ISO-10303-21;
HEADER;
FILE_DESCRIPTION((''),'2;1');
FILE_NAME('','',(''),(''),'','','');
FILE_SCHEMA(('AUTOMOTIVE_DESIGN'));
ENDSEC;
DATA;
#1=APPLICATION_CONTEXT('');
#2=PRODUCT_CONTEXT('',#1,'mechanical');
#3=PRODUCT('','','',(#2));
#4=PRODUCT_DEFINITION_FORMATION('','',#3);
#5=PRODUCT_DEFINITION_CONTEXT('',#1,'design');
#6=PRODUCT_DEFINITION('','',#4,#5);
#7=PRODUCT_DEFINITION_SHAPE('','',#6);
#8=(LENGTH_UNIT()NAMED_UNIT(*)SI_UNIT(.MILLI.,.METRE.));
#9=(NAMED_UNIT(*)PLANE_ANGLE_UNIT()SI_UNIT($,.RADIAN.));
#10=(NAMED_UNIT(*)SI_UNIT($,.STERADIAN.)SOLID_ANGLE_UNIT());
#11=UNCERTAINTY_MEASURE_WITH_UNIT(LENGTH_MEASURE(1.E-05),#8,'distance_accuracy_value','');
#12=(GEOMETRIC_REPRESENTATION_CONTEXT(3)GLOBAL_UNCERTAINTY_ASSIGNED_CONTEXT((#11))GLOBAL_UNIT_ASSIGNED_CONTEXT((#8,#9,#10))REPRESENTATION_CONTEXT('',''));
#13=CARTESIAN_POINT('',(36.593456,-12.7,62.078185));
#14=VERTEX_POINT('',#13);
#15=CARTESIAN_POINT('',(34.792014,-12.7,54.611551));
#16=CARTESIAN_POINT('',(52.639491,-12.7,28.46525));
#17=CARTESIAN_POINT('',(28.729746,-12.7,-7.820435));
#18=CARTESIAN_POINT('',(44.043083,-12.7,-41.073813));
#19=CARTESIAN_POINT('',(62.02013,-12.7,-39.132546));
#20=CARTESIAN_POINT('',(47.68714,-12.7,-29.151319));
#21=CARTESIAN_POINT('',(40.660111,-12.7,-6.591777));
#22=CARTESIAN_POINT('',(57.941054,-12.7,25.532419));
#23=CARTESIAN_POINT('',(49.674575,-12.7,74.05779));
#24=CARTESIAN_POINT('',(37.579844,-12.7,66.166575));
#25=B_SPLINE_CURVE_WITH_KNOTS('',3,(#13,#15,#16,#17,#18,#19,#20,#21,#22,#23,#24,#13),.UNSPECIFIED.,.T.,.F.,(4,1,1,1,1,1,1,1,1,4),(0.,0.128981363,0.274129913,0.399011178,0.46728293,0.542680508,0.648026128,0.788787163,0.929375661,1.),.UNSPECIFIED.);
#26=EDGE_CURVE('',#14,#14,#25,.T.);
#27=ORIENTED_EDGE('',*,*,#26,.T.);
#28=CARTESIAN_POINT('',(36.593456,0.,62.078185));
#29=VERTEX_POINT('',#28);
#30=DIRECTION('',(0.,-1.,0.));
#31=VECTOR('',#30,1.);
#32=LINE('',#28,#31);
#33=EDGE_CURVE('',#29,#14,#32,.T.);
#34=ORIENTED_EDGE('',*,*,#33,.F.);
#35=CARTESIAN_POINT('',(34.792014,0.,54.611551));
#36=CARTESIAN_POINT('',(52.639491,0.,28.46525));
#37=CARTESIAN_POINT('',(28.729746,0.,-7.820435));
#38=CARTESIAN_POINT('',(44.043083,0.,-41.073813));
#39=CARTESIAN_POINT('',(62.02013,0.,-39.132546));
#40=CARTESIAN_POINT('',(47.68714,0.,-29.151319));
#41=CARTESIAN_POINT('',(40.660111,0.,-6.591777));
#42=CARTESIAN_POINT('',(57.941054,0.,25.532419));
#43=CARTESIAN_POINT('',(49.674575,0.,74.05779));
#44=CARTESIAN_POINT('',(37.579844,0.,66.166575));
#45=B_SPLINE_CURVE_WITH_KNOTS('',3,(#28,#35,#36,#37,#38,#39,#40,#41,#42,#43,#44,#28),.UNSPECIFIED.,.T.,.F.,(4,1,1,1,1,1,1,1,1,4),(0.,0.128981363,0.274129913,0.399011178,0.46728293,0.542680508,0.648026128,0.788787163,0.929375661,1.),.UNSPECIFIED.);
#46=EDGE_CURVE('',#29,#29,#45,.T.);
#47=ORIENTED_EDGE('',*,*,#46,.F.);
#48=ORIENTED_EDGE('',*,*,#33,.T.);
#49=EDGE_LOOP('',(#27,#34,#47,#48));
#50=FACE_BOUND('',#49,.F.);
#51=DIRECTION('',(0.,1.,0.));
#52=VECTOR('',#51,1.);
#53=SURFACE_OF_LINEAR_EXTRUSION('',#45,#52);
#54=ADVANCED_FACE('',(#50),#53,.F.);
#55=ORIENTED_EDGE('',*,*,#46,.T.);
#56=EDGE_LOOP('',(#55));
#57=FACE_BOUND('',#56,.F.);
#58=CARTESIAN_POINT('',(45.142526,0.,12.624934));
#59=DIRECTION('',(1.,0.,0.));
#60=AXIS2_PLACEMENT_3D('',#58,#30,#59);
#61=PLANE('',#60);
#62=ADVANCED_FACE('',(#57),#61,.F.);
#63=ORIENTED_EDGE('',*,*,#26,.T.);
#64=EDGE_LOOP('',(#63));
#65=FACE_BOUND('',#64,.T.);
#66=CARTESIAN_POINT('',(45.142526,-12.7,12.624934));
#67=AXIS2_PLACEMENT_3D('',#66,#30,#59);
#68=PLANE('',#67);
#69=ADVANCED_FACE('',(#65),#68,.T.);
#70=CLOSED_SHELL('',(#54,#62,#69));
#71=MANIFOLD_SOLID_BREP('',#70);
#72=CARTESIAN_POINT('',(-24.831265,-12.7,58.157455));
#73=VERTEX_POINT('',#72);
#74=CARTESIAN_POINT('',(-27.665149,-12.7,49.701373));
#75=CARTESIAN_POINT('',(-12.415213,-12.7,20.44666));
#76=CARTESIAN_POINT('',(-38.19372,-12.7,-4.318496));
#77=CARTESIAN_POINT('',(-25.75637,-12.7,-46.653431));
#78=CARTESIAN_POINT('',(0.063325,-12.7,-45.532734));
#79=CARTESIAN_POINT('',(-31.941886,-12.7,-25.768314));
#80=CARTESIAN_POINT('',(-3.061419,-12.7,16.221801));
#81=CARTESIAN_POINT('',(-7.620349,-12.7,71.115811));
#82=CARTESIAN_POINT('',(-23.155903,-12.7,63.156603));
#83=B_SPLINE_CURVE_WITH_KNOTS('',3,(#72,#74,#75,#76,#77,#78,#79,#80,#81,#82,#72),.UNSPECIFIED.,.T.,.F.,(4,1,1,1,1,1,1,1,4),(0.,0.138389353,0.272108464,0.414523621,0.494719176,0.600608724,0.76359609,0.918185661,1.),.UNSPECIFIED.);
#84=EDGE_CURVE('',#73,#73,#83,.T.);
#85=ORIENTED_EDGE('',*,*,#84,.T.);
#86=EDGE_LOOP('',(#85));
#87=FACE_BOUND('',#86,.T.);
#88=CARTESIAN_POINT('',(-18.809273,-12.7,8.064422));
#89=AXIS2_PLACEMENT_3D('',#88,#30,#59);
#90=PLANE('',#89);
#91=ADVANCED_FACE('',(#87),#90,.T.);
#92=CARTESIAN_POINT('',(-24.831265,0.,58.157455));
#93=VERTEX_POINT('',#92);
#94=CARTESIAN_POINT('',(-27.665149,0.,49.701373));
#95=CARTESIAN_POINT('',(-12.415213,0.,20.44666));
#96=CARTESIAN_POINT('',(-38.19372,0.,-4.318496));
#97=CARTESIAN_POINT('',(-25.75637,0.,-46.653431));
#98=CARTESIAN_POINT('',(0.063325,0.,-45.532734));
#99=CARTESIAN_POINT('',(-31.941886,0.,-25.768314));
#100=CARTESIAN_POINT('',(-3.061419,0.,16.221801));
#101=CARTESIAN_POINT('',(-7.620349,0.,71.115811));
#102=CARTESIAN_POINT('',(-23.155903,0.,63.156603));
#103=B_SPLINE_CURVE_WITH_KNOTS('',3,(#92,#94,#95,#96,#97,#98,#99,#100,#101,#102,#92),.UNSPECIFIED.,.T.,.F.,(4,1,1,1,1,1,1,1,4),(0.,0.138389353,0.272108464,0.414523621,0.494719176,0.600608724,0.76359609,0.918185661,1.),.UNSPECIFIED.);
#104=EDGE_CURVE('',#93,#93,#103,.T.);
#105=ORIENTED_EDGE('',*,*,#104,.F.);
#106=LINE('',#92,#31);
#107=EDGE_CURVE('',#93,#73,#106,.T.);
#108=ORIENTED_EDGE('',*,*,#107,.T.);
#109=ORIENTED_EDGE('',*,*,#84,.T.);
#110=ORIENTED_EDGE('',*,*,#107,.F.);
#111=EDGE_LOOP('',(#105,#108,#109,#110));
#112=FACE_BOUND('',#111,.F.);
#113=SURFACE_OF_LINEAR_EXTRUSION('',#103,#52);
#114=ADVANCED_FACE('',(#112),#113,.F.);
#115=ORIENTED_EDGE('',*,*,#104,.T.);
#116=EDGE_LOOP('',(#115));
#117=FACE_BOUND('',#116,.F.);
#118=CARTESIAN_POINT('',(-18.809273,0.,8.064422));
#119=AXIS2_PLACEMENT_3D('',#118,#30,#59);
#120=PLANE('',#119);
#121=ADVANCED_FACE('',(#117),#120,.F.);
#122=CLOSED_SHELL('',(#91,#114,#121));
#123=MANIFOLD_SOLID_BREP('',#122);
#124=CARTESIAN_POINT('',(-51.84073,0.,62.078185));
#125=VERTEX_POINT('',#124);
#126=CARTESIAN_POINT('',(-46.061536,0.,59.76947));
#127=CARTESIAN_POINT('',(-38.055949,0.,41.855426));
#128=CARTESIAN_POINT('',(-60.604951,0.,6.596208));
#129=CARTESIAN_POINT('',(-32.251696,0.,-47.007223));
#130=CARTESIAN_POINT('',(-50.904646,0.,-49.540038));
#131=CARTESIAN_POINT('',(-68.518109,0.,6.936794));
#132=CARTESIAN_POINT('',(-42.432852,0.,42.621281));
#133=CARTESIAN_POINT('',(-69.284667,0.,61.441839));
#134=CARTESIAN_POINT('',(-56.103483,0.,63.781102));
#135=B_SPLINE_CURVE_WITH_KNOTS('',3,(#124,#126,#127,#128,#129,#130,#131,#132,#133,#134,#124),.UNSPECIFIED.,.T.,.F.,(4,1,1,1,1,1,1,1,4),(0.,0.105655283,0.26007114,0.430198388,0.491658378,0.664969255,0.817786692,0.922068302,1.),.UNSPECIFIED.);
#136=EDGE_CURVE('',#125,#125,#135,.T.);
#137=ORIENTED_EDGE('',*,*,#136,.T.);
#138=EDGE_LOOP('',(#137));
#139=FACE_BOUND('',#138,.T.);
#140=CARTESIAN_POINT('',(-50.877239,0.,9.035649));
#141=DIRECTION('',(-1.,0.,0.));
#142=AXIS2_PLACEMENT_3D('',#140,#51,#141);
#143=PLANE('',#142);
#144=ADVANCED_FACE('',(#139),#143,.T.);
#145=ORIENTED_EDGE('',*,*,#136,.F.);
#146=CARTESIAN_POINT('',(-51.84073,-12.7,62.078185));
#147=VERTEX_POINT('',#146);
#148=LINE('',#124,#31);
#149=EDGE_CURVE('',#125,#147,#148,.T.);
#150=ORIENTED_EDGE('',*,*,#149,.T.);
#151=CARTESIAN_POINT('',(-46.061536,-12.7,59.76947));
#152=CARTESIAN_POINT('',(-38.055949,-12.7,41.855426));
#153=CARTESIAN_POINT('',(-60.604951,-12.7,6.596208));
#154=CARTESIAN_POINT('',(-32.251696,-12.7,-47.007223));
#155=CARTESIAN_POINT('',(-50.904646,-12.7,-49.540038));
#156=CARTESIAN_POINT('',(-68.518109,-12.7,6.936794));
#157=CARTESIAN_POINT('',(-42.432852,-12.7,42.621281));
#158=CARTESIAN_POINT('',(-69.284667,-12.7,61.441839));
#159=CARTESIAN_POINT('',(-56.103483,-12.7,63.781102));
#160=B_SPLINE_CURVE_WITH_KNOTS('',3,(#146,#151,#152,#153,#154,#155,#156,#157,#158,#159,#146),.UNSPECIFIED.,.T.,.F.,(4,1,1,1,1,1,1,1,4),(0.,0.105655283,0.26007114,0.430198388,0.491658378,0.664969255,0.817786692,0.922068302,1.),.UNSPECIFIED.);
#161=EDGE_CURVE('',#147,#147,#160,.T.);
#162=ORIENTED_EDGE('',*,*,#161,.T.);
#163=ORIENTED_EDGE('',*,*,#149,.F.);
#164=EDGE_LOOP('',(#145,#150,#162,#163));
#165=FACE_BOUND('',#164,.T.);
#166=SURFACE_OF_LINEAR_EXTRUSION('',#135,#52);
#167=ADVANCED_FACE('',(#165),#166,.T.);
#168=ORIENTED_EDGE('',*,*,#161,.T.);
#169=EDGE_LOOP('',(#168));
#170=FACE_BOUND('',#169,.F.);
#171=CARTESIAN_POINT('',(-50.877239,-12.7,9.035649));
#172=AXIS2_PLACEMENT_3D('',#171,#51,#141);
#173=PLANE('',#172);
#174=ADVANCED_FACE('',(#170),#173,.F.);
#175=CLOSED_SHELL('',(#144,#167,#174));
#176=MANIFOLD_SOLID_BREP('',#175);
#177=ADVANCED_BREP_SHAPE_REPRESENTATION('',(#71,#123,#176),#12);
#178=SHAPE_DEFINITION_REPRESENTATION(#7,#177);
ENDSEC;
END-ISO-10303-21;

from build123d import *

# Parameters (mm, degrees)
F1_DEPTH = 12.7
F3_DEPTH = 12.7


with BuildPart() as f1:
    # F0 (on Front) → F1 (new body)
    with BuildSketch(Plane.XZ):
        with BuildLine():
            add(Edge.make_bspline(
                [(-24.8312652111, 58.1574551761), (-27.6651485525, 49.7013730258), (-12.4152127553, 20.446660337), (-38.1937202864, -4.3184960443), (-25.7563697446, -46.6534309571), (0.0633245124, -45.5327337416), (-31.941886308, -25.7683138176), (-3.061418623, 16.2218007178), (-7.6203490093, 71.1158108499), (-23.1559029973, 63.1566025668), (-24.8312652111, 58.1574551761)],
                knots=[0, 0, 0, 0, 0.1383893532, 0.2721084637, 0.4145236215, 0.4947191757, 0.6006087237, 0.7635960905, 0.9181856608, 1, 1, 1, 1], degree=3))
        make_face()
    extrude(amount=F1_DEPTH)


with BuildPart() as f1b:
    # F0 (on Front) → F1, piece 2 (new body)
    with BuildSketch(Plane.XZ):
        with BuildLine():
            add(Edge.make_bspline(
                [(36.5934558213, 62.0781853795), (34.7920141055, 54.6115512062), (52.6394905236, 28.4652504496), (28.7297460499, -7.8204346875), (44.0430833905, -41.0738132271), (62.0201299499, -39.132546006), (47.687139647, -29.1513189046), (40.6601105842, -6.5917770963), (57.9410540173, 25.5324188499), (49.6745754367, 74.0577900433), (37.5798435338, 66.1665753273), (36.5934558213, 62.0781853795)],
                knots=[0, 0, 0, 0, 0.1289813626, 0.2741299132, 0.3990111778, 0.4672829298, 0.5426805081, 0.6480261276, 0.7887871631, 0.9293756606, 1, 1, 1, 1], degree=3))
        make_face()
    extrude(amount=F1_DEPTH)


with BuildPart() as f3:
    # F2 (on Front) → F3 (new body)
    with BuildSketch(Plane.XZ):
        with BuildLine():
            add(Edge.make_bspline(
                [(-51.8407300115, 62.0781853795), (-46.0615363721, 59.7694702824), (-38.0559489073, 41.8554255452), (-60.6049514853, 6.5962079636), (-32.251696486, -47.0072228036), (-50.9046456544, -49.5400382291), (-68.5181087011, 6.9367935129), (-42.4328519097, 42.621281142), (-69.2846672105, 61.4418386926), (-56.1034830049, 63.7811015311), (-51.8407300115, 62.0781853795)],
                knots=[0, 0, 0, 0, 0.1056552831, 0.2600711399, 0.4301983876, 0.491658378, 0.6649692552, 0.817786692, 0.9220683018, 1, 1, 1, 1], degree=3))
        make_face()
    extrude(amount=F3_DEPTH)


solid = Compound([f1.part, f1b.part, f3.part])
